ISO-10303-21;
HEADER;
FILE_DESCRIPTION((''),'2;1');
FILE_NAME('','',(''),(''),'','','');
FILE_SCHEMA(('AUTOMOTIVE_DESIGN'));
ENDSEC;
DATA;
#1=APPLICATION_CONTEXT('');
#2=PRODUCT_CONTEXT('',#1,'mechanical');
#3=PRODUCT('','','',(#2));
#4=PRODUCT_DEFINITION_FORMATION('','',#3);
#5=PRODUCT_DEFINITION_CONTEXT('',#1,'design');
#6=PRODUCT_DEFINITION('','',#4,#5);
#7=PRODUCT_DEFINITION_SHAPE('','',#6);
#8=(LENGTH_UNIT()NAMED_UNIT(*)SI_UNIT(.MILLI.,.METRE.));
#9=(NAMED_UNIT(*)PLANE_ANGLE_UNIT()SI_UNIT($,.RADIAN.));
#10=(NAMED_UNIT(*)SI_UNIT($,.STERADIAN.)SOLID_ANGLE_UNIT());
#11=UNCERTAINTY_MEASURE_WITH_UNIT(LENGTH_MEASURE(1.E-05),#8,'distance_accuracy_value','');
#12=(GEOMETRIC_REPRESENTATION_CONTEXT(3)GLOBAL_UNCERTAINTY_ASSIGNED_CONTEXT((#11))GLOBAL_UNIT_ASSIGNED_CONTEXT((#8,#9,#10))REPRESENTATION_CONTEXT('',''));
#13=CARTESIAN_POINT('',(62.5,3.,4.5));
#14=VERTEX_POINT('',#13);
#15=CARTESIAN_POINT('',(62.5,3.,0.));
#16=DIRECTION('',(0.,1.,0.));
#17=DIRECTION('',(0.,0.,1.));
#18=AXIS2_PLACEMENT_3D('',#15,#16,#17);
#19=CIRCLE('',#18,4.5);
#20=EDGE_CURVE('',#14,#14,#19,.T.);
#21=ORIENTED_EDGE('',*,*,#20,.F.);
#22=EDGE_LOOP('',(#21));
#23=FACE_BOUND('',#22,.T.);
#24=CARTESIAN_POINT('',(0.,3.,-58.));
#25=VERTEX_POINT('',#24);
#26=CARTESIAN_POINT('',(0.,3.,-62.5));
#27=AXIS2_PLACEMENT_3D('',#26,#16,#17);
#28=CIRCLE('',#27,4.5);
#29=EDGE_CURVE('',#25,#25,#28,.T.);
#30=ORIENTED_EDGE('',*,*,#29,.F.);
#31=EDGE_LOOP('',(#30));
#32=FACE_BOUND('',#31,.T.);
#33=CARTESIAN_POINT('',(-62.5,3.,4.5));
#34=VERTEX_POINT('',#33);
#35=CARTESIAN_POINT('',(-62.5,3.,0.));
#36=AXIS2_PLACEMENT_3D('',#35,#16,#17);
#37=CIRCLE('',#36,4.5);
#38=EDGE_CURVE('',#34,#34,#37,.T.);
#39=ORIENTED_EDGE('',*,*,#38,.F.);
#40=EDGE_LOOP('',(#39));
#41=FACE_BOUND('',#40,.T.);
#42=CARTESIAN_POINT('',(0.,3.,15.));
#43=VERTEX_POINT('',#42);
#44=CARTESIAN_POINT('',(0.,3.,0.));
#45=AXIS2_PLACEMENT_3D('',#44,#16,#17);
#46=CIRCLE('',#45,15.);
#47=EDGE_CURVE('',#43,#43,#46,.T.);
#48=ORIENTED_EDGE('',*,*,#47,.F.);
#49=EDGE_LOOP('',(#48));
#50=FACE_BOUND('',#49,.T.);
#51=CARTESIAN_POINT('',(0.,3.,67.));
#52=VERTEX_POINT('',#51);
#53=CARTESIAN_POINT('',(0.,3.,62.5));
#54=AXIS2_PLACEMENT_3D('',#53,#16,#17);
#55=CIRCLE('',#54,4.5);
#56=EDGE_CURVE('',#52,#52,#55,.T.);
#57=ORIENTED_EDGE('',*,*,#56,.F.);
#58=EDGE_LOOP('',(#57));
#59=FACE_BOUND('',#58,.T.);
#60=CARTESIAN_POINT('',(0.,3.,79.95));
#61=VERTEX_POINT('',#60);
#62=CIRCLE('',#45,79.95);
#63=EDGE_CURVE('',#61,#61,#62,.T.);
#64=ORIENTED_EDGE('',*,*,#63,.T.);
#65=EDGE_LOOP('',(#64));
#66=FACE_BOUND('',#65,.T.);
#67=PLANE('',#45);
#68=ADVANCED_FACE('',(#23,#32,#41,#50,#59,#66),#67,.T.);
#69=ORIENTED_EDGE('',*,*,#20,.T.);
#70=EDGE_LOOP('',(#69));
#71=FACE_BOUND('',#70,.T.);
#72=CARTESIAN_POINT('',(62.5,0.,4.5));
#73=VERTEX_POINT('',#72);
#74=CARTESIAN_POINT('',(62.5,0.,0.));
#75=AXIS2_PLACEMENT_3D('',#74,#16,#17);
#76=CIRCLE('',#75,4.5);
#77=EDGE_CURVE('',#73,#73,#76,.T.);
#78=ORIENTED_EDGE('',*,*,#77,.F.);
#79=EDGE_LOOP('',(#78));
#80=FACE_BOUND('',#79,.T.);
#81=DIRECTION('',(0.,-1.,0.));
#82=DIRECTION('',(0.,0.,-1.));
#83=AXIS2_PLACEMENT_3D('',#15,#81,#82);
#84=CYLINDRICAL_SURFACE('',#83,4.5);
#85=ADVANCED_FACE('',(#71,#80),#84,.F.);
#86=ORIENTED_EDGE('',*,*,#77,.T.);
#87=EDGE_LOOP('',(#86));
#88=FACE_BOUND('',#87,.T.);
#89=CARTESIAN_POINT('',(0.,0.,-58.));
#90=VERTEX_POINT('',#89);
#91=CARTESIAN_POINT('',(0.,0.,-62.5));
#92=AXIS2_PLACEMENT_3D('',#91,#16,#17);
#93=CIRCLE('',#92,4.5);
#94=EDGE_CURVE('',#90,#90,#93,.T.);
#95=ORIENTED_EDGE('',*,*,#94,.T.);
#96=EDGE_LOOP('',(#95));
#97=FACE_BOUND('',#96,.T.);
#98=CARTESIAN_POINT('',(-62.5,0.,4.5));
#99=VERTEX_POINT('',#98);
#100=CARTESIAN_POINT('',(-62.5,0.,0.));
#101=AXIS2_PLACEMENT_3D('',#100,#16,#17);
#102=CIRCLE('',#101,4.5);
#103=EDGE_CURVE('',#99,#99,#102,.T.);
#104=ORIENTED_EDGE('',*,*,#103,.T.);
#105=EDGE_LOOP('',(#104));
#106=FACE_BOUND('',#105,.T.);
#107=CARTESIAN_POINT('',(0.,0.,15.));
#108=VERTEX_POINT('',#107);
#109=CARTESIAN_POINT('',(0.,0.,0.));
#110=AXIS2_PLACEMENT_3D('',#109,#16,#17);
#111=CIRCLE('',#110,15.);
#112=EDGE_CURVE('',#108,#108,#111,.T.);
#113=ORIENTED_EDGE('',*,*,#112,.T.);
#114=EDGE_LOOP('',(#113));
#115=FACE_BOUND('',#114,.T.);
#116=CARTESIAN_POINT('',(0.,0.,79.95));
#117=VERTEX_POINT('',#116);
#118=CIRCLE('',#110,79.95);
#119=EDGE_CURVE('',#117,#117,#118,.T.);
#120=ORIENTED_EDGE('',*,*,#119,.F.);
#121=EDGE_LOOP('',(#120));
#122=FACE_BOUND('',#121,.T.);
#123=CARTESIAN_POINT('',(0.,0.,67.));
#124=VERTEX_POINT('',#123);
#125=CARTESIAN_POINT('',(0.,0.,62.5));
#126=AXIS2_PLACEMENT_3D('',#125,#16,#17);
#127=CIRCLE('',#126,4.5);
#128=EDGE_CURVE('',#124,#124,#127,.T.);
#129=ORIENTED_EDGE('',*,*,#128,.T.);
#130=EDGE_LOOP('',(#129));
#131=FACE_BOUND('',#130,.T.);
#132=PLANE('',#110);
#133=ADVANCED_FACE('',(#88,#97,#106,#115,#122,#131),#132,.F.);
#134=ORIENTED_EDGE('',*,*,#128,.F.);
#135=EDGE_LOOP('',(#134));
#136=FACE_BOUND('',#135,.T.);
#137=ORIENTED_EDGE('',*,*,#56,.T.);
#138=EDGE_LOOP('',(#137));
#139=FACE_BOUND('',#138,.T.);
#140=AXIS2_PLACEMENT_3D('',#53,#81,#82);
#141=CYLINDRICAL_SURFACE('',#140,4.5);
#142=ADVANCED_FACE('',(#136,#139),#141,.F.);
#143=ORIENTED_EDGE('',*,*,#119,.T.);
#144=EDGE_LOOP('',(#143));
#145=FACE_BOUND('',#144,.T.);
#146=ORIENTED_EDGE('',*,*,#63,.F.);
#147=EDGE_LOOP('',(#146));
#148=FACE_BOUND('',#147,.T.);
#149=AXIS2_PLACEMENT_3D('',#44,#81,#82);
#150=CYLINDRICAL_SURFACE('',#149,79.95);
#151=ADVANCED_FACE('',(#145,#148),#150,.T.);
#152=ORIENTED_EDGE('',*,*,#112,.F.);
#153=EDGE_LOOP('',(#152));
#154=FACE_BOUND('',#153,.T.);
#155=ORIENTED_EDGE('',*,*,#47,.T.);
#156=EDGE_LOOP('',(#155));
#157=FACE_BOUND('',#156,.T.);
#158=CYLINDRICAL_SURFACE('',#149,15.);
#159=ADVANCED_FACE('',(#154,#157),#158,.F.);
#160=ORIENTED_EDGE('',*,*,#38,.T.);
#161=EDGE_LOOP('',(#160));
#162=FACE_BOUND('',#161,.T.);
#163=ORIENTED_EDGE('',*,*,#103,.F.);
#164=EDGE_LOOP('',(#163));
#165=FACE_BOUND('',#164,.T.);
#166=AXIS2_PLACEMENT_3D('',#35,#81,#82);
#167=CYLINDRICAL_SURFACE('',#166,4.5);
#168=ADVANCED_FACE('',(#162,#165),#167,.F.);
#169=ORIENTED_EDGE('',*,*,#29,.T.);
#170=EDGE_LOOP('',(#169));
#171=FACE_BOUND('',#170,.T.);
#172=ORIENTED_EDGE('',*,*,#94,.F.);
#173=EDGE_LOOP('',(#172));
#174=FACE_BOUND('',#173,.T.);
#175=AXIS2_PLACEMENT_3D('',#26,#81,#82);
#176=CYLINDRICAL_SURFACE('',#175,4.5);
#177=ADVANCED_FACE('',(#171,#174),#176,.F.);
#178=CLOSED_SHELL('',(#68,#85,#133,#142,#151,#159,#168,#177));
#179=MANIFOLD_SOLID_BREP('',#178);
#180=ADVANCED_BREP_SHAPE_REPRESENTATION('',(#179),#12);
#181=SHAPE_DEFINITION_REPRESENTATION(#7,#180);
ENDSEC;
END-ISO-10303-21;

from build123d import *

# Parameters (mm, degrees)
SKETCH1_R           = 79.95
SKETCH1_R_2         = 15
SKETCH1_R_3         = 4.5
BOSS_EXTRUDE1_DEPTH = 3


with BuildPart() as part:
    # Sketch1 → Boss-Extrude1 (new body)
    with BuildSketch(Plane(origin=(0, 0, 0), x_dir=(1, 0, 0), z_dir=(0, 1, 0))):
        with Locations(Location((0, 0, 0), (0, 0, 270))):
            Circle(SKETCH1_R)
        with Locations(Location((0, 0, 0), (0, 0, 270))):
            Circle(SKETCH1_R_2, mode=Mode.SUBTRACT)
        with Locations(Location((0, 62.5, 0), (0, 0, 270))):
            Circle(SKETCH1_R_3, mode=Mode.SUBTRACT)
        with Locations(Location((62.5, 0, 0), (0, 0, 270))):
            Circle(SKETCH1_R_3, mode=Mode.SUBTRACT)
        with Locations(Location((0, -62.5, 0), (0, 0, 270))):
            Circle(SKETCH1_R_3, mode=Mode.SUBTRACT)
        with Locations(Location((-62.5, 0, 0), (0, 0, 270))):
            Circle(SKETCH1_R_3, mode=Mode.SUBTRACT)
    extrude(amount=BOSS_EXTRUDE1_DEPTH)


solid = part.part
